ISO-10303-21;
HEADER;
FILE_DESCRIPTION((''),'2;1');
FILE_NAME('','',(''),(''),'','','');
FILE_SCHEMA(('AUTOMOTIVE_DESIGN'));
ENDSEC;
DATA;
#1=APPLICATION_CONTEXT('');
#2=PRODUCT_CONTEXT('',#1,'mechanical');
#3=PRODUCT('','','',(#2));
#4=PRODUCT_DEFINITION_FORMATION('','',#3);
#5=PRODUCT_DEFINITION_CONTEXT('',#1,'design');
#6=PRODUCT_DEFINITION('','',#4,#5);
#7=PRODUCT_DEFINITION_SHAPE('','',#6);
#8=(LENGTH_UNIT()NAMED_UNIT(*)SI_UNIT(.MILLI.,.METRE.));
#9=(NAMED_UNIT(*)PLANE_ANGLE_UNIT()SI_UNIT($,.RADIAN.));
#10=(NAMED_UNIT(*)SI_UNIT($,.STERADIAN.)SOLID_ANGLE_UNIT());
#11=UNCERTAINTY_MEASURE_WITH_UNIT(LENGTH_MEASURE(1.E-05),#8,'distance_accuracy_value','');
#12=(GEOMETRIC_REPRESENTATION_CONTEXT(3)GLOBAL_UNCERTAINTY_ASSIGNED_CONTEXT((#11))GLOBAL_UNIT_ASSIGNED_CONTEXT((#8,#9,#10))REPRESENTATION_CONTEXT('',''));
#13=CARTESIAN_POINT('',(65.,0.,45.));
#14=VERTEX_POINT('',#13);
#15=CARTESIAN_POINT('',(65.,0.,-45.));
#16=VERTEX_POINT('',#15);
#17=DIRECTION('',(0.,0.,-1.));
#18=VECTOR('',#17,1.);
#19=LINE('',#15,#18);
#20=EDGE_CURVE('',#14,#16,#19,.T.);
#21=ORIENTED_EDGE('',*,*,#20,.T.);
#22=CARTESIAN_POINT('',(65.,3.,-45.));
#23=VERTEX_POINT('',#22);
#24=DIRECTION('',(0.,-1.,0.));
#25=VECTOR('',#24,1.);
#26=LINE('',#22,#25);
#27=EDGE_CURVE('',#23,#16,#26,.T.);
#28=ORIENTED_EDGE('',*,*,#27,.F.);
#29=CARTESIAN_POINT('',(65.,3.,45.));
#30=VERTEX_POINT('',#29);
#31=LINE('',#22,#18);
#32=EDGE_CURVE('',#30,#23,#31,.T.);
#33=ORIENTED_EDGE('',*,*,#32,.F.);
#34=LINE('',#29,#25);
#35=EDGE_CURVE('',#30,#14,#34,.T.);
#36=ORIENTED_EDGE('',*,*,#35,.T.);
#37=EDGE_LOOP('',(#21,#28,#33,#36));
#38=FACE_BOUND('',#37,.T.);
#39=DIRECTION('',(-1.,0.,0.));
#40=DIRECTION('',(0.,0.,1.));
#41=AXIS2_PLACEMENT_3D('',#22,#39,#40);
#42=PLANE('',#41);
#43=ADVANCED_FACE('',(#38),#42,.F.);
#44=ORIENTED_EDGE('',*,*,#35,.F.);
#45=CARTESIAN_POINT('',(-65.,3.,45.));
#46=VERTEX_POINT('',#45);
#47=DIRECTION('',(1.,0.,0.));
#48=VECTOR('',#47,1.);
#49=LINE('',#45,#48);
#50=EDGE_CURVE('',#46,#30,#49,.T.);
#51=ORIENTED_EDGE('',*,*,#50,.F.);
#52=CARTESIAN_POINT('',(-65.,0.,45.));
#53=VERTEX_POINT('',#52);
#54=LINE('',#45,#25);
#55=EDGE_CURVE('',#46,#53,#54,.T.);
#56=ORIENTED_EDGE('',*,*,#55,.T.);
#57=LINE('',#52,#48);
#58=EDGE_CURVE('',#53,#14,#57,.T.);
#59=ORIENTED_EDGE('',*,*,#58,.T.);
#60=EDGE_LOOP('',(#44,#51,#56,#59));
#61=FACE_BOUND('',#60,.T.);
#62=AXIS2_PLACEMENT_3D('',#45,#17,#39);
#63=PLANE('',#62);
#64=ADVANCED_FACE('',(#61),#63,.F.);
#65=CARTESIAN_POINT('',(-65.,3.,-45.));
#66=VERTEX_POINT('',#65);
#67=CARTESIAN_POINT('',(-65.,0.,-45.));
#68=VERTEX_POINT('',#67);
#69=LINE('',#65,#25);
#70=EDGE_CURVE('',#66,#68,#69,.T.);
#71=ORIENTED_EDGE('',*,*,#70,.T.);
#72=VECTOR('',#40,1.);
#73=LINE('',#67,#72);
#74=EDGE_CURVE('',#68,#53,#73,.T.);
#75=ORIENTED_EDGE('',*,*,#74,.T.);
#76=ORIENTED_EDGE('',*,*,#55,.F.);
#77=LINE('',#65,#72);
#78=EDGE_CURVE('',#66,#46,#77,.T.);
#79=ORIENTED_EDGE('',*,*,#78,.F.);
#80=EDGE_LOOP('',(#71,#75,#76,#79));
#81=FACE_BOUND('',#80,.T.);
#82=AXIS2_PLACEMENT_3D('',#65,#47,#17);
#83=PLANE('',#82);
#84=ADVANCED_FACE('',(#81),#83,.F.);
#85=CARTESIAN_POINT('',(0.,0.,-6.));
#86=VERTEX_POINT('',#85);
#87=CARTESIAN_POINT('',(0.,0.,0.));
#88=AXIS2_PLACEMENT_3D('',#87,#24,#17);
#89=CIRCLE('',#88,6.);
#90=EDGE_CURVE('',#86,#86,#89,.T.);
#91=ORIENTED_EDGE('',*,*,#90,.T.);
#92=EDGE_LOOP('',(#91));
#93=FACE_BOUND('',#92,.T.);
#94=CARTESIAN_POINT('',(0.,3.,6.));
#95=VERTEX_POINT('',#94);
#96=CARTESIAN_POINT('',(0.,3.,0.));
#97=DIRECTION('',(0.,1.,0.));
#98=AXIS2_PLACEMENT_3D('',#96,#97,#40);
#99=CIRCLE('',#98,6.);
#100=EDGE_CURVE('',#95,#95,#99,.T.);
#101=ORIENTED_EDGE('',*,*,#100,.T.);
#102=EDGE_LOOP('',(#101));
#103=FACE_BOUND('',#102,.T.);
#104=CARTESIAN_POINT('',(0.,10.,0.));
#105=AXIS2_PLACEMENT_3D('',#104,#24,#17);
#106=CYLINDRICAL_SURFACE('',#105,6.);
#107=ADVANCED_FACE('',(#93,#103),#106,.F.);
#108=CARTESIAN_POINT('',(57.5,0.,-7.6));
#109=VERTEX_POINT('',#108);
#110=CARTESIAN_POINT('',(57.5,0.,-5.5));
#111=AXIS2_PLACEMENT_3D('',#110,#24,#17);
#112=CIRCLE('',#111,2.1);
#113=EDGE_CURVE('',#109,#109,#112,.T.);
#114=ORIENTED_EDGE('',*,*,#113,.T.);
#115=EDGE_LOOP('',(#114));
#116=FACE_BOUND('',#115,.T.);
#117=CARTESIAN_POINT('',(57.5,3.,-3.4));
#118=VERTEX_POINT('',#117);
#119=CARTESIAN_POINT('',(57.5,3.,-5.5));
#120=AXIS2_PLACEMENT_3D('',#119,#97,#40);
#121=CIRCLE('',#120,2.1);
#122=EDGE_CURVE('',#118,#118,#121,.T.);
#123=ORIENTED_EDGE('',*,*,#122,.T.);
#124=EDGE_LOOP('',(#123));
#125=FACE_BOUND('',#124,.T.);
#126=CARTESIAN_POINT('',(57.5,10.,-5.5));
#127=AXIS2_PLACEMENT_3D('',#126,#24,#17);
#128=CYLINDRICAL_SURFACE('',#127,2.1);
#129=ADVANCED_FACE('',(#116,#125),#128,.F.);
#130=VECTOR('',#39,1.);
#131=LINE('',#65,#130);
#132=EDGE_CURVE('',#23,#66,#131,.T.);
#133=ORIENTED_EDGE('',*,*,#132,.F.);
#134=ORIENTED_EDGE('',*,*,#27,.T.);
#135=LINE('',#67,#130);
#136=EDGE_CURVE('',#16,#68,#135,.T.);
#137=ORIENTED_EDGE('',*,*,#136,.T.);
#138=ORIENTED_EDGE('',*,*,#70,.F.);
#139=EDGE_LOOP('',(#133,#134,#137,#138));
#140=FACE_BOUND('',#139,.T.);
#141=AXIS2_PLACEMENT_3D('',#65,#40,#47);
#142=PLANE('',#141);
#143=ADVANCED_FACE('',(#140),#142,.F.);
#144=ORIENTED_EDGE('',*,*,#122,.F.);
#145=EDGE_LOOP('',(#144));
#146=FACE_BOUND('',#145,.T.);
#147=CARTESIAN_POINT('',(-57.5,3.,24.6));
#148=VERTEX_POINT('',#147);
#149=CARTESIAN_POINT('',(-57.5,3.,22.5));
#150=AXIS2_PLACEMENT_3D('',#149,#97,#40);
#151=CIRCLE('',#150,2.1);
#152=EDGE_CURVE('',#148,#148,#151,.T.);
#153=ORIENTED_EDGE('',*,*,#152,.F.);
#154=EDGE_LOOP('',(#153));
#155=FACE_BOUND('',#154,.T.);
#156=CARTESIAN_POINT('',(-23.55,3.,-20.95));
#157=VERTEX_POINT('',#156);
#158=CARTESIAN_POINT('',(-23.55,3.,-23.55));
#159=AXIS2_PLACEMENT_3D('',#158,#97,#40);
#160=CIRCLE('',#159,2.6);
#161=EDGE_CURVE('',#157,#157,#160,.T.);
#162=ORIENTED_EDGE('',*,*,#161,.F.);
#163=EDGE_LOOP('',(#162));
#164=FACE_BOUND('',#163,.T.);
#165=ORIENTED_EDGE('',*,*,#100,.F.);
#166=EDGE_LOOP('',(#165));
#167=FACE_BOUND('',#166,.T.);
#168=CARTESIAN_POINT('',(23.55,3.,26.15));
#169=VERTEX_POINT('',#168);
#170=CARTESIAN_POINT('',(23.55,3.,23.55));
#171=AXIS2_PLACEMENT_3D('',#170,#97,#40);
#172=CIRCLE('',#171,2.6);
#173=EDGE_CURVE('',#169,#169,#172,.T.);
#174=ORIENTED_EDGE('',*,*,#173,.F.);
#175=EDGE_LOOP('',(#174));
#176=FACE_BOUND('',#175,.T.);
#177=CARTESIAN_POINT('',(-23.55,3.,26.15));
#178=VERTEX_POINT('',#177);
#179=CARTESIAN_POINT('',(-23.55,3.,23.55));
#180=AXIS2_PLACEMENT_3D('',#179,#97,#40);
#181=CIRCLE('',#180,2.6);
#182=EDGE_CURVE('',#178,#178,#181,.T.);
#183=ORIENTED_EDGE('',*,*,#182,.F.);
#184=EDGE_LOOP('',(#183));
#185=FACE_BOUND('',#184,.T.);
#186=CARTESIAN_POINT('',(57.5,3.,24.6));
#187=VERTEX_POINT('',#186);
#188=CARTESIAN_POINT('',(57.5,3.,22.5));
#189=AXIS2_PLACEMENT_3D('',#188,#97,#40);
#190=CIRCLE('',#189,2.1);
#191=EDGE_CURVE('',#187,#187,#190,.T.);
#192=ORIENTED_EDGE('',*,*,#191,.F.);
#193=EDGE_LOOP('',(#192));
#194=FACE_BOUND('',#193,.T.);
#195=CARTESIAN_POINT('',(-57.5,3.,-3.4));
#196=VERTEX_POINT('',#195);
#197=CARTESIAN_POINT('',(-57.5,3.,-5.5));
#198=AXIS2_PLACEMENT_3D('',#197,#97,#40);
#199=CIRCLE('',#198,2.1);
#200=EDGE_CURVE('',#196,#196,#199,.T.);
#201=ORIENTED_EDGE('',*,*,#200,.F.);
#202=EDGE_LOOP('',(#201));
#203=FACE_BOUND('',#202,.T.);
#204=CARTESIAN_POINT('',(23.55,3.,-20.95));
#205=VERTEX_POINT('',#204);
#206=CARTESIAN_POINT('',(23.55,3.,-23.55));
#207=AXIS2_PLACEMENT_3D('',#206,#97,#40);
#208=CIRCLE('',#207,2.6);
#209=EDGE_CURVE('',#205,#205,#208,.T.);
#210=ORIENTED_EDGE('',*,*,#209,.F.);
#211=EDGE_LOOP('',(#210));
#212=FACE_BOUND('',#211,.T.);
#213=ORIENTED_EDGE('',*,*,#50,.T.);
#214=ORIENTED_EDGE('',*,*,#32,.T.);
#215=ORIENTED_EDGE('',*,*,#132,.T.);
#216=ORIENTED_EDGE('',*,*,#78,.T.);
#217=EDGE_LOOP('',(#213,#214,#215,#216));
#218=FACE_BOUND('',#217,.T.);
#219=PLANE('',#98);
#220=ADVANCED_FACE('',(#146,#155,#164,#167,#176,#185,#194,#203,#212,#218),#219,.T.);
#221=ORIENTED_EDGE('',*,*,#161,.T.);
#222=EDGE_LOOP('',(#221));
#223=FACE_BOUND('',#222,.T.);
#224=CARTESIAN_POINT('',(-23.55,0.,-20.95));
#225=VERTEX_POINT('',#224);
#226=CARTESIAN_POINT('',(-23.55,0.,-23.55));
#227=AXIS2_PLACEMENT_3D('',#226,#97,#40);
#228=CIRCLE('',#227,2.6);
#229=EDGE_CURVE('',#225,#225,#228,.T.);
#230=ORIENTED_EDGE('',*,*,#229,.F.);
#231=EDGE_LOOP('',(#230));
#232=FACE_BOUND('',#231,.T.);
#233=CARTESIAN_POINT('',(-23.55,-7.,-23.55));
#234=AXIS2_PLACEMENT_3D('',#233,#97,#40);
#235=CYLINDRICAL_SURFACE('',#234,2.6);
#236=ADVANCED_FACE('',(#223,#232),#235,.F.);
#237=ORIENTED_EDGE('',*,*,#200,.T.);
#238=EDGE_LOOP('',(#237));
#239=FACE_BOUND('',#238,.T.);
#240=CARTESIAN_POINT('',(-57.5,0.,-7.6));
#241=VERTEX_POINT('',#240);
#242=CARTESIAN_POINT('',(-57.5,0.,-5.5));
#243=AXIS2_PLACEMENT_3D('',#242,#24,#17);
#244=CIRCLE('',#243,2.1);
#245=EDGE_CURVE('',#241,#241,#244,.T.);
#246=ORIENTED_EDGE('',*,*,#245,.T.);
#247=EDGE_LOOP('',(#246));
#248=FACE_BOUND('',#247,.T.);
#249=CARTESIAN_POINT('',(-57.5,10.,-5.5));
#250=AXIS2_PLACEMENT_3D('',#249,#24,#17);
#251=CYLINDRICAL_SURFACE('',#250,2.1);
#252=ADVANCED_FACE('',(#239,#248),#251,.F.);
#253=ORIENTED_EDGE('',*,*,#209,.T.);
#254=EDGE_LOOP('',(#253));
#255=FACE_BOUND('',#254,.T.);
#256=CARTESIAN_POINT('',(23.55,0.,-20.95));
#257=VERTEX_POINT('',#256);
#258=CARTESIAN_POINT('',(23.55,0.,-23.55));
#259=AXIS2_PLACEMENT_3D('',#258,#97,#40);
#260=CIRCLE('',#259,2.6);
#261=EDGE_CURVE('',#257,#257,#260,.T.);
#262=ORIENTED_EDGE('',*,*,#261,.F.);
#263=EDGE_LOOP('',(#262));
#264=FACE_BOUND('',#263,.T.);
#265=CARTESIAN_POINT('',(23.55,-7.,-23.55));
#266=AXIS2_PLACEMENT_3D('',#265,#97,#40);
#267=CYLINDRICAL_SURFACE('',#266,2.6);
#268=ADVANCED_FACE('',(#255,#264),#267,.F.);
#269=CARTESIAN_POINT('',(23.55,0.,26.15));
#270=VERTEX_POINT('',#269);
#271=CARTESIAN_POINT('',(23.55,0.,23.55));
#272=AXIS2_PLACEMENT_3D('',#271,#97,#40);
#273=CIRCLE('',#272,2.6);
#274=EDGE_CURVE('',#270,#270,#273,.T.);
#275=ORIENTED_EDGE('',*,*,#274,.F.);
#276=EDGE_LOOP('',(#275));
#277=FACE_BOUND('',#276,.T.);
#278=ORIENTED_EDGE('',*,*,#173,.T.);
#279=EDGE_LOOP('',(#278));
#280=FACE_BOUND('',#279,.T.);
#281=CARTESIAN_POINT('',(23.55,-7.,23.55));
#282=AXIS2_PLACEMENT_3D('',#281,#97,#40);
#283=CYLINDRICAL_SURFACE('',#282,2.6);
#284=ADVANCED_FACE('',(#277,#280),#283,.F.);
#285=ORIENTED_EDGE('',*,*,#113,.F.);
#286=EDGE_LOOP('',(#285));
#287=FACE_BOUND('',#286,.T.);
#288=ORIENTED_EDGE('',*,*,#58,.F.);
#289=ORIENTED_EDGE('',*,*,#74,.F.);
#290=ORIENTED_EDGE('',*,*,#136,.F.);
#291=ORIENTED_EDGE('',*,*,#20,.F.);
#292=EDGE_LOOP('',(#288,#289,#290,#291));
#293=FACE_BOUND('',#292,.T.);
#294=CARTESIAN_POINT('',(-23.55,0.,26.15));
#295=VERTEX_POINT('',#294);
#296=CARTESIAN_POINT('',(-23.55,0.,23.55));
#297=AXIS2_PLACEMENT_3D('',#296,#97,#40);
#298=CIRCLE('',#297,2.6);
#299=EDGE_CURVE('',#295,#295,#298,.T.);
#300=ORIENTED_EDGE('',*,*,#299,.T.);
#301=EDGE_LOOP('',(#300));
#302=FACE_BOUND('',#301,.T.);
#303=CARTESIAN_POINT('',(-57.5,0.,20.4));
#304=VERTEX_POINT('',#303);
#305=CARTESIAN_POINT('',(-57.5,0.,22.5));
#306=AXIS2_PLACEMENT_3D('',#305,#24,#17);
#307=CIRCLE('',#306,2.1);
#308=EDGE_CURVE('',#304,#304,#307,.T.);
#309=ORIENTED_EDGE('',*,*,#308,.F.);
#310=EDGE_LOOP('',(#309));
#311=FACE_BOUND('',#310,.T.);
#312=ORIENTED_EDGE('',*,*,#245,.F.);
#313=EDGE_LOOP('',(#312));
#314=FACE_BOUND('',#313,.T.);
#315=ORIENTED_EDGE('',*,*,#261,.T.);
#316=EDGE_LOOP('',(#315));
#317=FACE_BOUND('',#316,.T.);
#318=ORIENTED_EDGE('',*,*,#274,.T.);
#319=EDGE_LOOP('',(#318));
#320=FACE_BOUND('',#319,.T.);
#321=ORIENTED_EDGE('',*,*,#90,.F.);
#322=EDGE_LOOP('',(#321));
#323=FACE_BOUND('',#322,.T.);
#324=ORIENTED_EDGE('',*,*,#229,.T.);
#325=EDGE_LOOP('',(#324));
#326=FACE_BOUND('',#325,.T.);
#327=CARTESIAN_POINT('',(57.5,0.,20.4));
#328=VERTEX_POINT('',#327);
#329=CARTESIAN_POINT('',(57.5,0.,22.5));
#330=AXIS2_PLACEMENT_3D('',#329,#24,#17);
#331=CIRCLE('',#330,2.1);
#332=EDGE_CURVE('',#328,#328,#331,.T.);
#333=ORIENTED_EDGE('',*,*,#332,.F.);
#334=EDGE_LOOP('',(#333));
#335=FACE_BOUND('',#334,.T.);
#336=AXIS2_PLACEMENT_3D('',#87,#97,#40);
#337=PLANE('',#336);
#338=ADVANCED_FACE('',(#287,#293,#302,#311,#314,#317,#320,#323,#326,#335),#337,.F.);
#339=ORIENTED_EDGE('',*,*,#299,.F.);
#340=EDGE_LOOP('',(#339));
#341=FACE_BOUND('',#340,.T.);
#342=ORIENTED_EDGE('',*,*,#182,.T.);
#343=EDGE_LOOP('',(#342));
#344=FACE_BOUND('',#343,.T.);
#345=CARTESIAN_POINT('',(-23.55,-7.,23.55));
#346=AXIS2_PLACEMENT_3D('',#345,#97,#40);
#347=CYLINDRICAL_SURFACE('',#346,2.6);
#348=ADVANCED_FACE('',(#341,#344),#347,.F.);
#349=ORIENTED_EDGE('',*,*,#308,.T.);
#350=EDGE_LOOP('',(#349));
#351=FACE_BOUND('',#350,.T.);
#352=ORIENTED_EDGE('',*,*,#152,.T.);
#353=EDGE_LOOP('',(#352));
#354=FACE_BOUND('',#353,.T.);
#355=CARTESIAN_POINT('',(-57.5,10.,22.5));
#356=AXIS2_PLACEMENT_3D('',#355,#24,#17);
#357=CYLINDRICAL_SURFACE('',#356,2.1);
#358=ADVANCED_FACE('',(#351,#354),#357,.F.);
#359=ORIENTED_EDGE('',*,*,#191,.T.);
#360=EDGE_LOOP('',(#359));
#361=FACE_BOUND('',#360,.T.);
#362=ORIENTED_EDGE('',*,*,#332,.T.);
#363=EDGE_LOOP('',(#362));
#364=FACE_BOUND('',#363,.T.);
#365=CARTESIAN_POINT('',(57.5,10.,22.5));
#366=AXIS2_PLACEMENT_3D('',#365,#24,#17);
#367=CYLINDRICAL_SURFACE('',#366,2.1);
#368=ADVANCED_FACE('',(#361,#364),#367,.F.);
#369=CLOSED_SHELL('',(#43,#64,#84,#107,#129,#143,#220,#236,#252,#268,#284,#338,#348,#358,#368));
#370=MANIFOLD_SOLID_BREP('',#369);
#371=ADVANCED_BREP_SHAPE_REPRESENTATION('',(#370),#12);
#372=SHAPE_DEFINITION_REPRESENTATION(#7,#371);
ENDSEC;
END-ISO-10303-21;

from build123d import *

# Parameters (mm, degrees)
SKETCH1_W           = 130
SKETCH1_H           = 90
BOSS_EXTRUDE1_DEPTH = 3
SKETCH2_R           = 2.6
CUT_EXTRUDE1_DEPTH  = 10
SKETCH3_R           = 2.1
CUT_EXTRUDE2_DEPTH  = 10
SKETCH4_R           = 6
CUT_EXTRUDE3_DEPTH  = 10


with BuildPart() as part:
    # Sketch1 → Boss-Extrude1 (new body)
    with BuildSketch(Plane(origin=(0, 0, 0), x_dir=(1, 0, 0), z_dir=(0, 1, 0))):
        Rectangle(SKETCH1_W, SKETCH1_H)
    extrude(amount=BOSS_EXTRUDE1_DEPTH)

    # Sketch2 → Cut-Extrude1 (cut)
    with BuildSketch(Plane(origin=(0, 3, 0), x_dir=(1, 0, 0), z_dir=(0, 1, 0))):
        with Locations(Location((23.55, -23.55, 0), (0, 0, 270))):
            Circle(SKETCH2_R)
        with Locations(Location((-23.55, -23.55, 0), (0, 0, 270))):
            Circle(SKETCH2_R)
        with Locations(Location((-23.55, 23.55, 0), (0, 0, 270))):
            Circle(SKETCH2_R)
        with Locations(Location((23.55, 23.55, 0), (0, 0, 270))):
            Circle(SKETCH2_R)
    extrude(amount=-CUT_EXTRUDE1_DEPTH, mode=Mode.SUBTRACT)

    # Sketch3 → Cut-Extrude2 (cut)
    with BuildSketch(Plane.XZ):
        with Locations(Location((57.5, 22.5, 0), (0, 0, 270))):
            Circle(SKETCH3_R)
        with Locations(Location((-57.5, 22.5, 0), (0, 0, 270))):
            Circle(SKETCH3_R)
        with Locations(Location((-57.5, -5.5, 0), (0, 0, 270))):
            Circle(SKETCH3_R)
        with Locations(Location((57.5, -5.5, 0), (0, 0, 270))):
            Circle(SKETCH3_R)
    extrude(amount=-CUT_EXTRUDE2_DEPTH, mode=Mode.SUBTRACT)

    # Sketch4 → Cut-Extrude3 (cut)
    with BuildSketch(Plane.XZ):
        with Locations(Location((0, 0, 0), (0, 0, 270))):
            Circle(SKETCH4_R)
    extrude(amount=-CUT_EXTRUDE3_DEPTH, mode=Mode.SUBTRACT)


solid = part.part
